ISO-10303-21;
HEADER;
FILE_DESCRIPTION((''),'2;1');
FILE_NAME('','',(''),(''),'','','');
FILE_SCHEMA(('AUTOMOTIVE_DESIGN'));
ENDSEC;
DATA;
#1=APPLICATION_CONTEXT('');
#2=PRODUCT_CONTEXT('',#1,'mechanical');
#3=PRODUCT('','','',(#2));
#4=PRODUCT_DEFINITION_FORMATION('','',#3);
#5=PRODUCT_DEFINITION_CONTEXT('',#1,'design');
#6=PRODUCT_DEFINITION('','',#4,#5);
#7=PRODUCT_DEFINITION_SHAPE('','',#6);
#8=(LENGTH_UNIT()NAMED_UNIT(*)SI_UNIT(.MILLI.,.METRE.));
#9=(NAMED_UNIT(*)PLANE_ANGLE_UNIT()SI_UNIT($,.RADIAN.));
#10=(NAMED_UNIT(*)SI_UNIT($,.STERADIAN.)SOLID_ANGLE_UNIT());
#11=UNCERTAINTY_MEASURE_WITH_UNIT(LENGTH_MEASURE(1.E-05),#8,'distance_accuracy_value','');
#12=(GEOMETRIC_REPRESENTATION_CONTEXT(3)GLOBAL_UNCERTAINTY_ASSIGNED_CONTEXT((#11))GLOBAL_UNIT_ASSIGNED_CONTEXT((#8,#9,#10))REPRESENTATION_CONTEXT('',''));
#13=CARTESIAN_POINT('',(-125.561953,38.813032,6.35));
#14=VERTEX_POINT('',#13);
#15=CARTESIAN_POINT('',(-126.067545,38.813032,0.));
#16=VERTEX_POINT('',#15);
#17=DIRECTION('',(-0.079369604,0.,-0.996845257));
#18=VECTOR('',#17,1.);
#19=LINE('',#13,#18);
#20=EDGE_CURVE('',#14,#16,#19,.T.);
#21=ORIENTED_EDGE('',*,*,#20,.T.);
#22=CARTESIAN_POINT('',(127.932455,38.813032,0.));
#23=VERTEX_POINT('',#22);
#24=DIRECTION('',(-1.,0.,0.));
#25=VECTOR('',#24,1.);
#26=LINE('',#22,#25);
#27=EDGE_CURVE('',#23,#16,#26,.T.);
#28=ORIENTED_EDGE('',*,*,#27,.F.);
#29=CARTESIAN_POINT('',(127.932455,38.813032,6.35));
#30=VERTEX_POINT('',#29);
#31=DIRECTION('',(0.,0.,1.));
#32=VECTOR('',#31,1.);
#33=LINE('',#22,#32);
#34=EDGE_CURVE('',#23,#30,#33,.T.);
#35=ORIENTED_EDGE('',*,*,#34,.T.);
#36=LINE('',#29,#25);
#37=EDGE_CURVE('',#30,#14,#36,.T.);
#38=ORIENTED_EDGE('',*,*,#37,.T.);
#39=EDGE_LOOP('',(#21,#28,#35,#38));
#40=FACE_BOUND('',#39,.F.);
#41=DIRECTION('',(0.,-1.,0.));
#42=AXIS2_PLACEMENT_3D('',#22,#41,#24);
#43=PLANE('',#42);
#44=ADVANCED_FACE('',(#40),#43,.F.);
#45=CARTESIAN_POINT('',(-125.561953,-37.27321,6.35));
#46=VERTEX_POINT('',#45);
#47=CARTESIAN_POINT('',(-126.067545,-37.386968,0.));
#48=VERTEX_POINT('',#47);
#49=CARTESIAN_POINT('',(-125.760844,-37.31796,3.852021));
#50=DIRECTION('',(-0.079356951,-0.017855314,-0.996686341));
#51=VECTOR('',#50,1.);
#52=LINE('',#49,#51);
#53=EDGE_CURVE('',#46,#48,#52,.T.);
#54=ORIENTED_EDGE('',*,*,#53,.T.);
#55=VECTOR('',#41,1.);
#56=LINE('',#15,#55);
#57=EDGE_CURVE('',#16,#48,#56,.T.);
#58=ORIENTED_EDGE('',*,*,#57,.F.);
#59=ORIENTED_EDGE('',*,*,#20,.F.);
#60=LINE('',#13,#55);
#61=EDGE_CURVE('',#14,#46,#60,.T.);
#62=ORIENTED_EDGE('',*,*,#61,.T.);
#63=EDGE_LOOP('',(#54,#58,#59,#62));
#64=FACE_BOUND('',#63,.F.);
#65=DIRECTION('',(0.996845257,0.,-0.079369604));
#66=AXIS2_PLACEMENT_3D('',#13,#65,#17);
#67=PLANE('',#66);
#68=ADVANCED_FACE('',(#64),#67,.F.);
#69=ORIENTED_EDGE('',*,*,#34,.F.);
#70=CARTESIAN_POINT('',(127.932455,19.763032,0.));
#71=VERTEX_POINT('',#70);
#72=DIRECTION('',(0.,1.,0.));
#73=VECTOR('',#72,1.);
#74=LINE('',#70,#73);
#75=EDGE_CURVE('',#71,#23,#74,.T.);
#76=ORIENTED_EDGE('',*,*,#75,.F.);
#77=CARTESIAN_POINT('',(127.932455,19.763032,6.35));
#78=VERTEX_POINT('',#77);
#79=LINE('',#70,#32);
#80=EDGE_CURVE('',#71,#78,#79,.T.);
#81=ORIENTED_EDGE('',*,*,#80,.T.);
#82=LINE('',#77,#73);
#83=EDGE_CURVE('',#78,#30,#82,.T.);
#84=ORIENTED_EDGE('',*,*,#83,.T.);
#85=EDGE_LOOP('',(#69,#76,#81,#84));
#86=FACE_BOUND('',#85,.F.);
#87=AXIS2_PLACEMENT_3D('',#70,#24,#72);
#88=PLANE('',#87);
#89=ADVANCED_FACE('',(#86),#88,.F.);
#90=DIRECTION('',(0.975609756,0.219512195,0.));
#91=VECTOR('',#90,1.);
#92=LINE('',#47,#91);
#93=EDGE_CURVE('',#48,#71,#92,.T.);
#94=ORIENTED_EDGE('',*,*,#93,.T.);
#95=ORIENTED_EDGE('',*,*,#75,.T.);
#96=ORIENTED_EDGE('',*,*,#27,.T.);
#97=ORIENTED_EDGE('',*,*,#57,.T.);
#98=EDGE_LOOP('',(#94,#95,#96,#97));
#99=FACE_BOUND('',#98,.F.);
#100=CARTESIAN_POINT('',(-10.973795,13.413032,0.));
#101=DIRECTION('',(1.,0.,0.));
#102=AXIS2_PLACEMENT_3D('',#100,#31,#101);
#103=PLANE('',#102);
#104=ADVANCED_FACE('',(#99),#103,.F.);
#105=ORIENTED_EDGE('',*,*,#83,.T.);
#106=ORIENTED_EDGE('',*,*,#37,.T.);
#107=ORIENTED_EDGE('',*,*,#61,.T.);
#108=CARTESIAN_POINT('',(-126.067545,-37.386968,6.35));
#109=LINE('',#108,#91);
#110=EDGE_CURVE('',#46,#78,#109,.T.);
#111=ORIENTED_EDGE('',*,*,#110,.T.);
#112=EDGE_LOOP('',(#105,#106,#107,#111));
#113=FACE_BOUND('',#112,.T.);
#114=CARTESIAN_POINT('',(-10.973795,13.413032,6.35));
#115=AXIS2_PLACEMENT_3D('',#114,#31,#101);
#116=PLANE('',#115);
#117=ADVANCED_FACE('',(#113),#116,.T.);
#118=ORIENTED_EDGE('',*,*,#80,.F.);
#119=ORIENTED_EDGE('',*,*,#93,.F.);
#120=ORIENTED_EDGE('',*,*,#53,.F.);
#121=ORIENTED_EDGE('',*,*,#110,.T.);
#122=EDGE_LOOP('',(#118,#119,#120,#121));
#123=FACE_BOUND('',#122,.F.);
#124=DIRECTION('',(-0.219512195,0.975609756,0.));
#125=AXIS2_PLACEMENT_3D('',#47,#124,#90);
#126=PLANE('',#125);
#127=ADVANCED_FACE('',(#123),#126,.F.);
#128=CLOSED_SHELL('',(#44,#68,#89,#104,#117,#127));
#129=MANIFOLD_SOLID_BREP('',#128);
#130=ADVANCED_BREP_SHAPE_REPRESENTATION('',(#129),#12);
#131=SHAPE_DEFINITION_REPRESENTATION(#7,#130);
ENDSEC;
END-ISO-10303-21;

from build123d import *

# Parameters (mm, degrees)
F1_DEPTH = 6.35
F3_DEPTH = 86.614


with BuildPart() as f1:
    # F0 (on Top) → F1 (new body)
    with BuildSketch(Plane.XY):
        Polygon((127.932455, 38.813032), (-126.067545, 38.813032), (-126.067545, -37.386968), (127.932455, 19.763032), align=None)
    extrude(amount=F1_DEPTH)

    # F2 (on face) → F3 (cut)
    with BuildSketch(Plane(origin=(0, 38.813032, 0), x_dir=(-1, 0, 0), z_dir=(0, 1, 0))):
        Polygon((125.561953, 6.35), (126.067545, 0), (126.067545, 6.35), align=None)
    extrude(amount=-F3_DEPTH, mode=Mode.SUBTRACT)


solid = f1.part
